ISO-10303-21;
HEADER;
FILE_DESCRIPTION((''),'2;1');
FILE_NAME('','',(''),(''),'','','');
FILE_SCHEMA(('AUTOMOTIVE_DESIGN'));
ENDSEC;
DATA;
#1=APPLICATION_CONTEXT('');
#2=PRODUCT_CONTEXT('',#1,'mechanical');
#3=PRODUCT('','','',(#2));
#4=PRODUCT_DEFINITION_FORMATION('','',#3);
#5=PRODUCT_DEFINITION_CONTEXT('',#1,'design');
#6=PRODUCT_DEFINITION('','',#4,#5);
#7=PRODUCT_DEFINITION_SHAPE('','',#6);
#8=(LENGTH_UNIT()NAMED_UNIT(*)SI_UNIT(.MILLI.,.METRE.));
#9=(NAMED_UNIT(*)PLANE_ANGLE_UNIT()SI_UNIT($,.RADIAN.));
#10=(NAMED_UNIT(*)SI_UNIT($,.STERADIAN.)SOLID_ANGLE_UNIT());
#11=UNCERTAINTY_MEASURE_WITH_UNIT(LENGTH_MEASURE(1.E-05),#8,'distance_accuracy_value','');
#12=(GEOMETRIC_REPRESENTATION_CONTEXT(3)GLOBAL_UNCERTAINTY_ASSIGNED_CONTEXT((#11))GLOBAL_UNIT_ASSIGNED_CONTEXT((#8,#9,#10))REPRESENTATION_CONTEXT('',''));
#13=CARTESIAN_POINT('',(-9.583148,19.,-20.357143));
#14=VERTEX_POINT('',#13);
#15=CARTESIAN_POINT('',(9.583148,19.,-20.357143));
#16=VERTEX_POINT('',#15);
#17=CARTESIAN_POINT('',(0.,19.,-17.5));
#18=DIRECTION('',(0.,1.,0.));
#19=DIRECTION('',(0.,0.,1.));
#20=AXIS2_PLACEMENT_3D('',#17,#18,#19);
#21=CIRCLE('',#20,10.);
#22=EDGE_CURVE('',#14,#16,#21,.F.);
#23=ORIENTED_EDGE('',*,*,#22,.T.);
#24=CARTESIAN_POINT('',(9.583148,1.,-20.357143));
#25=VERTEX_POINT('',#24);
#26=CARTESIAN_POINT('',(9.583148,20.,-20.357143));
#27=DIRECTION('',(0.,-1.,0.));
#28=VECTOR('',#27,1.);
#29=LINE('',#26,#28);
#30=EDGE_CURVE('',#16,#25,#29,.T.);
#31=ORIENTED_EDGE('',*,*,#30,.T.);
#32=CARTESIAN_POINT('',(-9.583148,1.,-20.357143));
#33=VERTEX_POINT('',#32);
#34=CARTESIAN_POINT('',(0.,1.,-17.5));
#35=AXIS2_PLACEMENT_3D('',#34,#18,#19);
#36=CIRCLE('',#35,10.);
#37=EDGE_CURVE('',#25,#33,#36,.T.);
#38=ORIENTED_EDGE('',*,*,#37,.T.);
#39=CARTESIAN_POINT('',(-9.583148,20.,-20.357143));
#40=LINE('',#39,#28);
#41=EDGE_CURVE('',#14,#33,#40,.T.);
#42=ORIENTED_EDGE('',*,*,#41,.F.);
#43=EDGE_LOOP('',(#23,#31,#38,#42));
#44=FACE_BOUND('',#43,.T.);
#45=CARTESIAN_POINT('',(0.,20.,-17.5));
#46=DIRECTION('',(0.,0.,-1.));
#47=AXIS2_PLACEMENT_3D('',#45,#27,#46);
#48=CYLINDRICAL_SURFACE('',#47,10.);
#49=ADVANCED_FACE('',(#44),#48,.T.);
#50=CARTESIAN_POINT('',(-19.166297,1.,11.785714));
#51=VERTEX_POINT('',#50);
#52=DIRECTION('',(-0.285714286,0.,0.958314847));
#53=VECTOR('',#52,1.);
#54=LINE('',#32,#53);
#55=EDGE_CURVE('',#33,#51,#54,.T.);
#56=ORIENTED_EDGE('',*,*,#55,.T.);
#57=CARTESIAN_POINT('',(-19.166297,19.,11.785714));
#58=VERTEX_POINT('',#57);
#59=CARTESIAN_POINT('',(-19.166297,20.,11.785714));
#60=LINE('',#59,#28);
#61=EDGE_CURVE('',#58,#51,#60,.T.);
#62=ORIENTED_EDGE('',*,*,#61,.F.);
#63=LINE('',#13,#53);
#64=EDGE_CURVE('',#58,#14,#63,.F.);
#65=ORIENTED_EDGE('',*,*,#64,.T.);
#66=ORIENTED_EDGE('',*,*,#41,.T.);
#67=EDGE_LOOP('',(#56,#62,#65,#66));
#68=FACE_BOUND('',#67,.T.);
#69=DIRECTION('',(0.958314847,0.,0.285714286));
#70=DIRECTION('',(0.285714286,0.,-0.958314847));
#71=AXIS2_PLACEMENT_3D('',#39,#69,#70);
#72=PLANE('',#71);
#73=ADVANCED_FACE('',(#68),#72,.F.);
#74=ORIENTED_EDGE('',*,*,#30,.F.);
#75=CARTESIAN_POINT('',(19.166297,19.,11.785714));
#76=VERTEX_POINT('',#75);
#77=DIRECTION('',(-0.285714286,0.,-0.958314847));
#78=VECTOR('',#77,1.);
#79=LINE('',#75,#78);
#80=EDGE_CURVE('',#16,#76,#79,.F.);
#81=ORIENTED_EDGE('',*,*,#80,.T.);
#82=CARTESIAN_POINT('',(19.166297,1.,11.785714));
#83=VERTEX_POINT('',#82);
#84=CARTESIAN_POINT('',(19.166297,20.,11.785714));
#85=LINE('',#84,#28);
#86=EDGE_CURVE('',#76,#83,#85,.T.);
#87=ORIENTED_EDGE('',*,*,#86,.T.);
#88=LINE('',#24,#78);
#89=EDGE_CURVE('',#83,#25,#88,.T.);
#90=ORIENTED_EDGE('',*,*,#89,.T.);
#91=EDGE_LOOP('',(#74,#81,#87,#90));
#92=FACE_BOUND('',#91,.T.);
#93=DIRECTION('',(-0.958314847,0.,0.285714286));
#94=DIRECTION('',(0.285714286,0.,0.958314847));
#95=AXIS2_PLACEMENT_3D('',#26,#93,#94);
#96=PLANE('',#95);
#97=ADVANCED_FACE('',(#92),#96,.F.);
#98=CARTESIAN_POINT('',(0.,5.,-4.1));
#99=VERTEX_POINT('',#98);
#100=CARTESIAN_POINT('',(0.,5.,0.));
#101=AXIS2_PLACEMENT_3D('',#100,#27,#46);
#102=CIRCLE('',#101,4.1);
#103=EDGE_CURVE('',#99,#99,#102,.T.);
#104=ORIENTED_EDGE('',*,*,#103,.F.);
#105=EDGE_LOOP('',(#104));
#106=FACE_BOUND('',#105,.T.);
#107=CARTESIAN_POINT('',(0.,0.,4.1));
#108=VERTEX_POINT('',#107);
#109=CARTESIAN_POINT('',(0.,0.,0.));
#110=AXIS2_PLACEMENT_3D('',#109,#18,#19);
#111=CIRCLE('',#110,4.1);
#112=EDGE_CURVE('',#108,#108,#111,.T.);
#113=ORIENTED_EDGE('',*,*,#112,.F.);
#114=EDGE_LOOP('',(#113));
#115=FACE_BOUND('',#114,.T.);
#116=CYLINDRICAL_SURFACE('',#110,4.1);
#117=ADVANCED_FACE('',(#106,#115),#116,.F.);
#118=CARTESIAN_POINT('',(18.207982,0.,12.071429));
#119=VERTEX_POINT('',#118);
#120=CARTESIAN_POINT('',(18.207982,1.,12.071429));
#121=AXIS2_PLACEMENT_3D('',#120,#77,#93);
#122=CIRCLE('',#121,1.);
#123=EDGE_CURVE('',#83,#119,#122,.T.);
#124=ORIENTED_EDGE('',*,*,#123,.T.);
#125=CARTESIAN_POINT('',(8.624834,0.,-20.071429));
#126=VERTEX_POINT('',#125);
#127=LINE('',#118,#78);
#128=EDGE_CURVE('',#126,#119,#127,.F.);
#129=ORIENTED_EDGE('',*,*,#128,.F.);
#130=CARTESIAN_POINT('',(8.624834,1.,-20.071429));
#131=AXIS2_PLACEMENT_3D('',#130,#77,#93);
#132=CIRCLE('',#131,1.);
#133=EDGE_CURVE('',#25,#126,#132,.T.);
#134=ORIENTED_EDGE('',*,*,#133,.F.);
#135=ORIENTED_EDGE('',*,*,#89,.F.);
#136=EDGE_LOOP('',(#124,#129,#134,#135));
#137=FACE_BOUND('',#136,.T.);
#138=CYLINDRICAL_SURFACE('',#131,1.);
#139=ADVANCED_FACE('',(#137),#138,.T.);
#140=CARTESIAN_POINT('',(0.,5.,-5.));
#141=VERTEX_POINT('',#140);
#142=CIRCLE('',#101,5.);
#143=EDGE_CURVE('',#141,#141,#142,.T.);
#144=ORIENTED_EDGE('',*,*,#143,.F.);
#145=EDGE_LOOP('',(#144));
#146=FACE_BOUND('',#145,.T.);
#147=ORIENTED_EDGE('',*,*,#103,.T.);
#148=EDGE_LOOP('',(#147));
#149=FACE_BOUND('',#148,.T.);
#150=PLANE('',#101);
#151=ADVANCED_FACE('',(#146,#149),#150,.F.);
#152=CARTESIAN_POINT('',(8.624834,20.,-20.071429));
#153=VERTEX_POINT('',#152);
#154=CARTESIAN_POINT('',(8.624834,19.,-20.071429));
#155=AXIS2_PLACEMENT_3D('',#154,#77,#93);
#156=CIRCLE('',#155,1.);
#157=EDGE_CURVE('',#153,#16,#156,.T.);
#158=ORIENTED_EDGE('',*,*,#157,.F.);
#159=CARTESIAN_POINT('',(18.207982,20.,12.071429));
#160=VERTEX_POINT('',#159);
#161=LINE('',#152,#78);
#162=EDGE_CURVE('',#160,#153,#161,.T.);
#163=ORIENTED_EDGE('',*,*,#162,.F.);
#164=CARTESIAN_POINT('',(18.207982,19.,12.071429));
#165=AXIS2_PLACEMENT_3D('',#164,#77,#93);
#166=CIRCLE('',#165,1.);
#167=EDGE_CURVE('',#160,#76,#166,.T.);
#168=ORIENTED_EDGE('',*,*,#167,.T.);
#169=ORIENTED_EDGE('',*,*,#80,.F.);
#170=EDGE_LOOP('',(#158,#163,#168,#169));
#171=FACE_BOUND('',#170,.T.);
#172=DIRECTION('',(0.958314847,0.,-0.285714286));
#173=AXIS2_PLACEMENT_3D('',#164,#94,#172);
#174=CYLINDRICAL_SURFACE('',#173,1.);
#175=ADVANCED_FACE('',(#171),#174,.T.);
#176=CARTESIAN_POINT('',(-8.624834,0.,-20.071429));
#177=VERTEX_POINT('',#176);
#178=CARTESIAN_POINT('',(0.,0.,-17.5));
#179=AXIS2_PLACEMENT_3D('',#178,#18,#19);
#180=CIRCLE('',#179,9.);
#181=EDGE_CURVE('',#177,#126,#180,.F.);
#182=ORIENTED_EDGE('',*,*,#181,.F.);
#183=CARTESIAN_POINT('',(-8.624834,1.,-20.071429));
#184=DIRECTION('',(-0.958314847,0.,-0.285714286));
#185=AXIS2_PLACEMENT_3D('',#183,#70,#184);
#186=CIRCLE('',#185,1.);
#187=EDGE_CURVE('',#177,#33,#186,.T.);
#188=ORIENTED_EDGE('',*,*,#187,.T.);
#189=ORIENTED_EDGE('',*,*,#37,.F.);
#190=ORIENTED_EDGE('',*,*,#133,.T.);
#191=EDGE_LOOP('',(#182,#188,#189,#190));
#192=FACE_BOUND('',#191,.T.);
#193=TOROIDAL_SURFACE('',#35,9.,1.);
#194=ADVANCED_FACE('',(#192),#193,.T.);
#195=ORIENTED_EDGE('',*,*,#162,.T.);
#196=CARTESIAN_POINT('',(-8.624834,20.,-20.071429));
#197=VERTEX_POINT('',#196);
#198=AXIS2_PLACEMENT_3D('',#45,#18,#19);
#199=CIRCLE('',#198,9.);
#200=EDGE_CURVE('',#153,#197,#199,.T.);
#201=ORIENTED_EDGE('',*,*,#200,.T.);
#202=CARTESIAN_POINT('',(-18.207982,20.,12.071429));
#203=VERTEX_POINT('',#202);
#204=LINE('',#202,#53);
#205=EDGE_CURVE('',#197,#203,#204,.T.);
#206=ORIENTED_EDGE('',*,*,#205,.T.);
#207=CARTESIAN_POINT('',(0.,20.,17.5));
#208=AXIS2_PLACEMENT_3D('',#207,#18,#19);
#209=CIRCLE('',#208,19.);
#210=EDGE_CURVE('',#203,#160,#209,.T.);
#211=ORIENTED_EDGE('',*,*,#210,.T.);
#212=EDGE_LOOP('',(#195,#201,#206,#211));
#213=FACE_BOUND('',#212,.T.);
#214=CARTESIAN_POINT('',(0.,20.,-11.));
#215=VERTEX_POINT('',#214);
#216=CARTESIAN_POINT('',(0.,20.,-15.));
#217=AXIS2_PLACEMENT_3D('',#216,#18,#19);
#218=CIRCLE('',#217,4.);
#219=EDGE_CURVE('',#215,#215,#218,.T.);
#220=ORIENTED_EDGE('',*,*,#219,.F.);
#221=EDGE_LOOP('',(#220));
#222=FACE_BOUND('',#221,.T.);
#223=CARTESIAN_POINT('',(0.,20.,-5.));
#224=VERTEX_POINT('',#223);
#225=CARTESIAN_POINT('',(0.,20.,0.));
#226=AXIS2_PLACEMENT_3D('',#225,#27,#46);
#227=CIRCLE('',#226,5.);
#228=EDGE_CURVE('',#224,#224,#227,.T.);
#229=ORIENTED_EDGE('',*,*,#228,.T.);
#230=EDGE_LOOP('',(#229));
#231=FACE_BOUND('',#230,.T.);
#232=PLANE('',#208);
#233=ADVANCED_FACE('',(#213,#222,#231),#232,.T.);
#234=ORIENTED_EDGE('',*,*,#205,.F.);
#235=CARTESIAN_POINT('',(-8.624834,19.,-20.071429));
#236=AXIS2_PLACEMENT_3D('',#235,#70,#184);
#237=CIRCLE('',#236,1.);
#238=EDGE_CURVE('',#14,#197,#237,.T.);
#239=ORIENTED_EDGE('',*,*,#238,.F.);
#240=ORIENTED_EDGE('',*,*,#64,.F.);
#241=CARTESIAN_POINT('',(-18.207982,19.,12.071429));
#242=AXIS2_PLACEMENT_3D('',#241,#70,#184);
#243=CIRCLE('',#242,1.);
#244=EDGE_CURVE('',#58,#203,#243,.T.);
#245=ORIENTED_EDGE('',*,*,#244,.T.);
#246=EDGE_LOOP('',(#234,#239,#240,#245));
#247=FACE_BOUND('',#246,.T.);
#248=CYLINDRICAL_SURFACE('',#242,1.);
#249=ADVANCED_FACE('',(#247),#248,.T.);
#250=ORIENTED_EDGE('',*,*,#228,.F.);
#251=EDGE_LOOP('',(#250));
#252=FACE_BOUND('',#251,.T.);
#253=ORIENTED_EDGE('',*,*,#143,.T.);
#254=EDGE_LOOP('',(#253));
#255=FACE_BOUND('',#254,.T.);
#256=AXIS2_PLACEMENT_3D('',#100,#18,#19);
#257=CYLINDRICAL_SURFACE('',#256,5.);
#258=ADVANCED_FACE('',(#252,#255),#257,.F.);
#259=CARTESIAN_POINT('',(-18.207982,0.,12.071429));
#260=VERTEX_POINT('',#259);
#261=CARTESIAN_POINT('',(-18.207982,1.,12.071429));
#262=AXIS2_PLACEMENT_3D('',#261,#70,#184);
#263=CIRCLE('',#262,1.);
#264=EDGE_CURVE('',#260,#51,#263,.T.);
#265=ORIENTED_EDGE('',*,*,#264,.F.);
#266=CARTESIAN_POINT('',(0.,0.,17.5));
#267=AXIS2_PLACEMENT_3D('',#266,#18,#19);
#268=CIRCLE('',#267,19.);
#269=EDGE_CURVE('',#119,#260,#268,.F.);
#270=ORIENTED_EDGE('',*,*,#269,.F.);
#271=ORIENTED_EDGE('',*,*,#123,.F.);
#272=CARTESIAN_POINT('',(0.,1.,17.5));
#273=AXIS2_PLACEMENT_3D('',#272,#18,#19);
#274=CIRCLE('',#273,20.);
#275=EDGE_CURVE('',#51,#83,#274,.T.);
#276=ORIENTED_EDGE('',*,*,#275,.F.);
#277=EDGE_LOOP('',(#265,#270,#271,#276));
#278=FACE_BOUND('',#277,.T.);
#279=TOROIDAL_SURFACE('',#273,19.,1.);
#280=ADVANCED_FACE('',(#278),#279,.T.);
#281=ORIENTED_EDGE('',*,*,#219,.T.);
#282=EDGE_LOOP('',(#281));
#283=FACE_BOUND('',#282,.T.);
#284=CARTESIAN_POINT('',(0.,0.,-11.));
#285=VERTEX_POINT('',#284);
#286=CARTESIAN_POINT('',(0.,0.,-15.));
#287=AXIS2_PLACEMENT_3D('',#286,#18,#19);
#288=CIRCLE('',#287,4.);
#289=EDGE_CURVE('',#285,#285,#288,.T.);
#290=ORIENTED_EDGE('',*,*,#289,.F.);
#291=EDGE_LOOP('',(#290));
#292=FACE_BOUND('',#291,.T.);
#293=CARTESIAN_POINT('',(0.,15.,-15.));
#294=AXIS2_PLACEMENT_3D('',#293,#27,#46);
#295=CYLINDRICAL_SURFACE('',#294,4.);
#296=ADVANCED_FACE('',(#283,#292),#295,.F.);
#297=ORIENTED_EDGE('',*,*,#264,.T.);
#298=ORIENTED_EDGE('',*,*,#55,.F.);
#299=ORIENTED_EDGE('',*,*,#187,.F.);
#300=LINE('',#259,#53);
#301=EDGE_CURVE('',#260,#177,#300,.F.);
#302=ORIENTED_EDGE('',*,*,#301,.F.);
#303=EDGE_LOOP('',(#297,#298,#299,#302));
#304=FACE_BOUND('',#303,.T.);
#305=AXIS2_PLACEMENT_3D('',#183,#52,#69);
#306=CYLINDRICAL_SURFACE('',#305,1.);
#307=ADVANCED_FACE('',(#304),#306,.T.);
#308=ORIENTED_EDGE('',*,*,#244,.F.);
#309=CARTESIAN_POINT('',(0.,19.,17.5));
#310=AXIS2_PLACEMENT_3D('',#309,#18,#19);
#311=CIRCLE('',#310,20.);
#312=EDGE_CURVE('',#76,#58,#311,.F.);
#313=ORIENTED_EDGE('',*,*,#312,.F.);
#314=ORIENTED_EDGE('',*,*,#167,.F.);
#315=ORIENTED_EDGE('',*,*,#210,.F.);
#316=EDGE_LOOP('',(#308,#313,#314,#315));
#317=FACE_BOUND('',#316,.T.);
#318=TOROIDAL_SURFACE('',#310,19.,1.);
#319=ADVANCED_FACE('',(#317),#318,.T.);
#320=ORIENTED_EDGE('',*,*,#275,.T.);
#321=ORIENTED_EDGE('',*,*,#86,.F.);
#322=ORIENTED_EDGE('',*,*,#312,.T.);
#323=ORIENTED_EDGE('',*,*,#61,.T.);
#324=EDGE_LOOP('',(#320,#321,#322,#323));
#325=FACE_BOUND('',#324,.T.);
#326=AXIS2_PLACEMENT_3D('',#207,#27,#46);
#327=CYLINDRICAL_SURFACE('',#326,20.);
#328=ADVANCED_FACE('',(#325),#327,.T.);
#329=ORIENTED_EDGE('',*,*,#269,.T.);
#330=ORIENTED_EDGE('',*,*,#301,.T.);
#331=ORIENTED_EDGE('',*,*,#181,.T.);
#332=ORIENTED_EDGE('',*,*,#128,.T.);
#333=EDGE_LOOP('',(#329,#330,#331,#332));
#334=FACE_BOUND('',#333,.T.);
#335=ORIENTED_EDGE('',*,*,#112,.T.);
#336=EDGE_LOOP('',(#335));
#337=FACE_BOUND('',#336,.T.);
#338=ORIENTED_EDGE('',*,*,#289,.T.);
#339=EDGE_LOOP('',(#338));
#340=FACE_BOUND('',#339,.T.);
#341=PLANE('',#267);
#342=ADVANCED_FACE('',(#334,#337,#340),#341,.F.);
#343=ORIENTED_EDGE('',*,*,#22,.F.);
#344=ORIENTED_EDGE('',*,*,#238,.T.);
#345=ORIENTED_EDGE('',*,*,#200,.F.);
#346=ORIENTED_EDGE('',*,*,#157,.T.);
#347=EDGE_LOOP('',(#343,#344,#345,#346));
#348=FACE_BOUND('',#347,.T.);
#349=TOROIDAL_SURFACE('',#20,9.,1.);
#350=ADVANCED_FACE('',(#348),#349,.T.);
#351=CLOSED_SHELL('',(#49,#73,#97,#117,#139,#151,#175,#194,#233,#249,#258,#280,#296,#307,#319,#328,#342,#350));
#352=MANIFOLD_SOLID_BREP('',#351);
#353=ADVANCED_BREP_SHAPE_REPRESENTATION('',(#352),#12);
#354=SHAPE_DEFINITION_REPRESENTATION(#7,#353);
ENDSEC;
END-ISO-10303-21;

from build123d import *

# Parameters (mm, degrees)
BOSS_EXTRUDE1_DEPTH     = 20
FILLET1_R               = 1
SKETCH2_R               = 4
CUT_EXTRUDE1_DEPTH      = 15
SKETCH3_R               = 5
CUT_EXTRUDE2_DEPTH      = 15
CUT_EXTRUDE3_DEPTH      = 46.069390988
CUT_EXTRUDE3_DEPTH_BACK = 46.069390988
SKETCH4_R               = 4.1
SKETCH4_R_2             = 4


with BuildPart() as part:
    # Sketch1 → Boss-Extrude1 (new body)
    with BuildSketch(Plane(origin=(0, 0, 0), x_dir=(1, 0, 0), z_dir=(0, 1, 0))):
        with BuildLine():
            Line((-9.583148475, 20.357142857), (-19.16629695, -11.785714286))
            ThreePointArc((-19.16629695, -11.785714286), (0, -37.5), (19.16629695, -11.785714286))
            Line((19.16629695, -11.785714286), (9.583148475, 20.357142857))
            ThreePointArc((9.583148475, 20.357142857), (0, 27.5), (-9.583148475, 20.357142857))
        make_face()
    extrude(amount=BOSS_EXTRUDE1_DEPTH)

    # Fillet1
    fillet1_edges = [part.edges().sort_by_distance(p)[0] for p in [
        (0, 20, -27.5),
        (-14.374722712, 20, -4.285714286),
        (0, 20, 37.5),
        (-14.374722712, 0, -4.285714286),
        (0, 0, -27.5),
        (14.374722712, 0, -4.285714286),
        (0, 0, 37.5),
        (14.374722712, 20, -4.285714286),
    ]]
    fillet(fillet1_edges, radius=FILLET1_R)

    # Sketch2 → Cut-Extrude1 (cut)
    with BuildSketch(Plane(origin=(0, 0, 0), x_dir=(1, 0, 0), z_dir=(0, 1, 0))):
        with Locations(Location((0, 15, 0), (0, 0, 270))):
            Circle(SKETCH2_R)
    extrude(amount=CUT_EXTRUDE1_DEPTH, mode=Mode.SUBTRACT)

    # Sketch3 → Cut-Extrude2 (cut)
    with BuildSketch(Plane.XZ.offset(-20)):
        with Locations(Location((0, 0, 0), (0, 0, 270))):
            Circle(SKETCH3_R)
    extrude(amount=CUT_EXTRUDE2_DEPTH, mode=Mode.SUBTRACT)

    # Sketch4 → Cut-Extrude3 (cut, two sides: drawn at the far end of the back side and taken through both)
    with BuildSketch(Plane(origin=(0, 5, 0), x_dir=(-1, 0, 0), z_dir=(0, 1, 0)).offset(-CUT_EXTRUDE3_DEPTH_BACK)):
        with Locations(Location((0, 0, 0), (0, 0, 90))):
            Circle(SKETCH4_R)
        with Locations(Location((0, -15, 0), (0, 0, 90))):
            Circle(SKETCH4_R_2)
    extrude(amount=CUT_EXTRUDE3_DEPTH + CUT_EXTRUDE3_DEPTH_BACK, mode=Mode.SUBTRACT)


solid = part.part
